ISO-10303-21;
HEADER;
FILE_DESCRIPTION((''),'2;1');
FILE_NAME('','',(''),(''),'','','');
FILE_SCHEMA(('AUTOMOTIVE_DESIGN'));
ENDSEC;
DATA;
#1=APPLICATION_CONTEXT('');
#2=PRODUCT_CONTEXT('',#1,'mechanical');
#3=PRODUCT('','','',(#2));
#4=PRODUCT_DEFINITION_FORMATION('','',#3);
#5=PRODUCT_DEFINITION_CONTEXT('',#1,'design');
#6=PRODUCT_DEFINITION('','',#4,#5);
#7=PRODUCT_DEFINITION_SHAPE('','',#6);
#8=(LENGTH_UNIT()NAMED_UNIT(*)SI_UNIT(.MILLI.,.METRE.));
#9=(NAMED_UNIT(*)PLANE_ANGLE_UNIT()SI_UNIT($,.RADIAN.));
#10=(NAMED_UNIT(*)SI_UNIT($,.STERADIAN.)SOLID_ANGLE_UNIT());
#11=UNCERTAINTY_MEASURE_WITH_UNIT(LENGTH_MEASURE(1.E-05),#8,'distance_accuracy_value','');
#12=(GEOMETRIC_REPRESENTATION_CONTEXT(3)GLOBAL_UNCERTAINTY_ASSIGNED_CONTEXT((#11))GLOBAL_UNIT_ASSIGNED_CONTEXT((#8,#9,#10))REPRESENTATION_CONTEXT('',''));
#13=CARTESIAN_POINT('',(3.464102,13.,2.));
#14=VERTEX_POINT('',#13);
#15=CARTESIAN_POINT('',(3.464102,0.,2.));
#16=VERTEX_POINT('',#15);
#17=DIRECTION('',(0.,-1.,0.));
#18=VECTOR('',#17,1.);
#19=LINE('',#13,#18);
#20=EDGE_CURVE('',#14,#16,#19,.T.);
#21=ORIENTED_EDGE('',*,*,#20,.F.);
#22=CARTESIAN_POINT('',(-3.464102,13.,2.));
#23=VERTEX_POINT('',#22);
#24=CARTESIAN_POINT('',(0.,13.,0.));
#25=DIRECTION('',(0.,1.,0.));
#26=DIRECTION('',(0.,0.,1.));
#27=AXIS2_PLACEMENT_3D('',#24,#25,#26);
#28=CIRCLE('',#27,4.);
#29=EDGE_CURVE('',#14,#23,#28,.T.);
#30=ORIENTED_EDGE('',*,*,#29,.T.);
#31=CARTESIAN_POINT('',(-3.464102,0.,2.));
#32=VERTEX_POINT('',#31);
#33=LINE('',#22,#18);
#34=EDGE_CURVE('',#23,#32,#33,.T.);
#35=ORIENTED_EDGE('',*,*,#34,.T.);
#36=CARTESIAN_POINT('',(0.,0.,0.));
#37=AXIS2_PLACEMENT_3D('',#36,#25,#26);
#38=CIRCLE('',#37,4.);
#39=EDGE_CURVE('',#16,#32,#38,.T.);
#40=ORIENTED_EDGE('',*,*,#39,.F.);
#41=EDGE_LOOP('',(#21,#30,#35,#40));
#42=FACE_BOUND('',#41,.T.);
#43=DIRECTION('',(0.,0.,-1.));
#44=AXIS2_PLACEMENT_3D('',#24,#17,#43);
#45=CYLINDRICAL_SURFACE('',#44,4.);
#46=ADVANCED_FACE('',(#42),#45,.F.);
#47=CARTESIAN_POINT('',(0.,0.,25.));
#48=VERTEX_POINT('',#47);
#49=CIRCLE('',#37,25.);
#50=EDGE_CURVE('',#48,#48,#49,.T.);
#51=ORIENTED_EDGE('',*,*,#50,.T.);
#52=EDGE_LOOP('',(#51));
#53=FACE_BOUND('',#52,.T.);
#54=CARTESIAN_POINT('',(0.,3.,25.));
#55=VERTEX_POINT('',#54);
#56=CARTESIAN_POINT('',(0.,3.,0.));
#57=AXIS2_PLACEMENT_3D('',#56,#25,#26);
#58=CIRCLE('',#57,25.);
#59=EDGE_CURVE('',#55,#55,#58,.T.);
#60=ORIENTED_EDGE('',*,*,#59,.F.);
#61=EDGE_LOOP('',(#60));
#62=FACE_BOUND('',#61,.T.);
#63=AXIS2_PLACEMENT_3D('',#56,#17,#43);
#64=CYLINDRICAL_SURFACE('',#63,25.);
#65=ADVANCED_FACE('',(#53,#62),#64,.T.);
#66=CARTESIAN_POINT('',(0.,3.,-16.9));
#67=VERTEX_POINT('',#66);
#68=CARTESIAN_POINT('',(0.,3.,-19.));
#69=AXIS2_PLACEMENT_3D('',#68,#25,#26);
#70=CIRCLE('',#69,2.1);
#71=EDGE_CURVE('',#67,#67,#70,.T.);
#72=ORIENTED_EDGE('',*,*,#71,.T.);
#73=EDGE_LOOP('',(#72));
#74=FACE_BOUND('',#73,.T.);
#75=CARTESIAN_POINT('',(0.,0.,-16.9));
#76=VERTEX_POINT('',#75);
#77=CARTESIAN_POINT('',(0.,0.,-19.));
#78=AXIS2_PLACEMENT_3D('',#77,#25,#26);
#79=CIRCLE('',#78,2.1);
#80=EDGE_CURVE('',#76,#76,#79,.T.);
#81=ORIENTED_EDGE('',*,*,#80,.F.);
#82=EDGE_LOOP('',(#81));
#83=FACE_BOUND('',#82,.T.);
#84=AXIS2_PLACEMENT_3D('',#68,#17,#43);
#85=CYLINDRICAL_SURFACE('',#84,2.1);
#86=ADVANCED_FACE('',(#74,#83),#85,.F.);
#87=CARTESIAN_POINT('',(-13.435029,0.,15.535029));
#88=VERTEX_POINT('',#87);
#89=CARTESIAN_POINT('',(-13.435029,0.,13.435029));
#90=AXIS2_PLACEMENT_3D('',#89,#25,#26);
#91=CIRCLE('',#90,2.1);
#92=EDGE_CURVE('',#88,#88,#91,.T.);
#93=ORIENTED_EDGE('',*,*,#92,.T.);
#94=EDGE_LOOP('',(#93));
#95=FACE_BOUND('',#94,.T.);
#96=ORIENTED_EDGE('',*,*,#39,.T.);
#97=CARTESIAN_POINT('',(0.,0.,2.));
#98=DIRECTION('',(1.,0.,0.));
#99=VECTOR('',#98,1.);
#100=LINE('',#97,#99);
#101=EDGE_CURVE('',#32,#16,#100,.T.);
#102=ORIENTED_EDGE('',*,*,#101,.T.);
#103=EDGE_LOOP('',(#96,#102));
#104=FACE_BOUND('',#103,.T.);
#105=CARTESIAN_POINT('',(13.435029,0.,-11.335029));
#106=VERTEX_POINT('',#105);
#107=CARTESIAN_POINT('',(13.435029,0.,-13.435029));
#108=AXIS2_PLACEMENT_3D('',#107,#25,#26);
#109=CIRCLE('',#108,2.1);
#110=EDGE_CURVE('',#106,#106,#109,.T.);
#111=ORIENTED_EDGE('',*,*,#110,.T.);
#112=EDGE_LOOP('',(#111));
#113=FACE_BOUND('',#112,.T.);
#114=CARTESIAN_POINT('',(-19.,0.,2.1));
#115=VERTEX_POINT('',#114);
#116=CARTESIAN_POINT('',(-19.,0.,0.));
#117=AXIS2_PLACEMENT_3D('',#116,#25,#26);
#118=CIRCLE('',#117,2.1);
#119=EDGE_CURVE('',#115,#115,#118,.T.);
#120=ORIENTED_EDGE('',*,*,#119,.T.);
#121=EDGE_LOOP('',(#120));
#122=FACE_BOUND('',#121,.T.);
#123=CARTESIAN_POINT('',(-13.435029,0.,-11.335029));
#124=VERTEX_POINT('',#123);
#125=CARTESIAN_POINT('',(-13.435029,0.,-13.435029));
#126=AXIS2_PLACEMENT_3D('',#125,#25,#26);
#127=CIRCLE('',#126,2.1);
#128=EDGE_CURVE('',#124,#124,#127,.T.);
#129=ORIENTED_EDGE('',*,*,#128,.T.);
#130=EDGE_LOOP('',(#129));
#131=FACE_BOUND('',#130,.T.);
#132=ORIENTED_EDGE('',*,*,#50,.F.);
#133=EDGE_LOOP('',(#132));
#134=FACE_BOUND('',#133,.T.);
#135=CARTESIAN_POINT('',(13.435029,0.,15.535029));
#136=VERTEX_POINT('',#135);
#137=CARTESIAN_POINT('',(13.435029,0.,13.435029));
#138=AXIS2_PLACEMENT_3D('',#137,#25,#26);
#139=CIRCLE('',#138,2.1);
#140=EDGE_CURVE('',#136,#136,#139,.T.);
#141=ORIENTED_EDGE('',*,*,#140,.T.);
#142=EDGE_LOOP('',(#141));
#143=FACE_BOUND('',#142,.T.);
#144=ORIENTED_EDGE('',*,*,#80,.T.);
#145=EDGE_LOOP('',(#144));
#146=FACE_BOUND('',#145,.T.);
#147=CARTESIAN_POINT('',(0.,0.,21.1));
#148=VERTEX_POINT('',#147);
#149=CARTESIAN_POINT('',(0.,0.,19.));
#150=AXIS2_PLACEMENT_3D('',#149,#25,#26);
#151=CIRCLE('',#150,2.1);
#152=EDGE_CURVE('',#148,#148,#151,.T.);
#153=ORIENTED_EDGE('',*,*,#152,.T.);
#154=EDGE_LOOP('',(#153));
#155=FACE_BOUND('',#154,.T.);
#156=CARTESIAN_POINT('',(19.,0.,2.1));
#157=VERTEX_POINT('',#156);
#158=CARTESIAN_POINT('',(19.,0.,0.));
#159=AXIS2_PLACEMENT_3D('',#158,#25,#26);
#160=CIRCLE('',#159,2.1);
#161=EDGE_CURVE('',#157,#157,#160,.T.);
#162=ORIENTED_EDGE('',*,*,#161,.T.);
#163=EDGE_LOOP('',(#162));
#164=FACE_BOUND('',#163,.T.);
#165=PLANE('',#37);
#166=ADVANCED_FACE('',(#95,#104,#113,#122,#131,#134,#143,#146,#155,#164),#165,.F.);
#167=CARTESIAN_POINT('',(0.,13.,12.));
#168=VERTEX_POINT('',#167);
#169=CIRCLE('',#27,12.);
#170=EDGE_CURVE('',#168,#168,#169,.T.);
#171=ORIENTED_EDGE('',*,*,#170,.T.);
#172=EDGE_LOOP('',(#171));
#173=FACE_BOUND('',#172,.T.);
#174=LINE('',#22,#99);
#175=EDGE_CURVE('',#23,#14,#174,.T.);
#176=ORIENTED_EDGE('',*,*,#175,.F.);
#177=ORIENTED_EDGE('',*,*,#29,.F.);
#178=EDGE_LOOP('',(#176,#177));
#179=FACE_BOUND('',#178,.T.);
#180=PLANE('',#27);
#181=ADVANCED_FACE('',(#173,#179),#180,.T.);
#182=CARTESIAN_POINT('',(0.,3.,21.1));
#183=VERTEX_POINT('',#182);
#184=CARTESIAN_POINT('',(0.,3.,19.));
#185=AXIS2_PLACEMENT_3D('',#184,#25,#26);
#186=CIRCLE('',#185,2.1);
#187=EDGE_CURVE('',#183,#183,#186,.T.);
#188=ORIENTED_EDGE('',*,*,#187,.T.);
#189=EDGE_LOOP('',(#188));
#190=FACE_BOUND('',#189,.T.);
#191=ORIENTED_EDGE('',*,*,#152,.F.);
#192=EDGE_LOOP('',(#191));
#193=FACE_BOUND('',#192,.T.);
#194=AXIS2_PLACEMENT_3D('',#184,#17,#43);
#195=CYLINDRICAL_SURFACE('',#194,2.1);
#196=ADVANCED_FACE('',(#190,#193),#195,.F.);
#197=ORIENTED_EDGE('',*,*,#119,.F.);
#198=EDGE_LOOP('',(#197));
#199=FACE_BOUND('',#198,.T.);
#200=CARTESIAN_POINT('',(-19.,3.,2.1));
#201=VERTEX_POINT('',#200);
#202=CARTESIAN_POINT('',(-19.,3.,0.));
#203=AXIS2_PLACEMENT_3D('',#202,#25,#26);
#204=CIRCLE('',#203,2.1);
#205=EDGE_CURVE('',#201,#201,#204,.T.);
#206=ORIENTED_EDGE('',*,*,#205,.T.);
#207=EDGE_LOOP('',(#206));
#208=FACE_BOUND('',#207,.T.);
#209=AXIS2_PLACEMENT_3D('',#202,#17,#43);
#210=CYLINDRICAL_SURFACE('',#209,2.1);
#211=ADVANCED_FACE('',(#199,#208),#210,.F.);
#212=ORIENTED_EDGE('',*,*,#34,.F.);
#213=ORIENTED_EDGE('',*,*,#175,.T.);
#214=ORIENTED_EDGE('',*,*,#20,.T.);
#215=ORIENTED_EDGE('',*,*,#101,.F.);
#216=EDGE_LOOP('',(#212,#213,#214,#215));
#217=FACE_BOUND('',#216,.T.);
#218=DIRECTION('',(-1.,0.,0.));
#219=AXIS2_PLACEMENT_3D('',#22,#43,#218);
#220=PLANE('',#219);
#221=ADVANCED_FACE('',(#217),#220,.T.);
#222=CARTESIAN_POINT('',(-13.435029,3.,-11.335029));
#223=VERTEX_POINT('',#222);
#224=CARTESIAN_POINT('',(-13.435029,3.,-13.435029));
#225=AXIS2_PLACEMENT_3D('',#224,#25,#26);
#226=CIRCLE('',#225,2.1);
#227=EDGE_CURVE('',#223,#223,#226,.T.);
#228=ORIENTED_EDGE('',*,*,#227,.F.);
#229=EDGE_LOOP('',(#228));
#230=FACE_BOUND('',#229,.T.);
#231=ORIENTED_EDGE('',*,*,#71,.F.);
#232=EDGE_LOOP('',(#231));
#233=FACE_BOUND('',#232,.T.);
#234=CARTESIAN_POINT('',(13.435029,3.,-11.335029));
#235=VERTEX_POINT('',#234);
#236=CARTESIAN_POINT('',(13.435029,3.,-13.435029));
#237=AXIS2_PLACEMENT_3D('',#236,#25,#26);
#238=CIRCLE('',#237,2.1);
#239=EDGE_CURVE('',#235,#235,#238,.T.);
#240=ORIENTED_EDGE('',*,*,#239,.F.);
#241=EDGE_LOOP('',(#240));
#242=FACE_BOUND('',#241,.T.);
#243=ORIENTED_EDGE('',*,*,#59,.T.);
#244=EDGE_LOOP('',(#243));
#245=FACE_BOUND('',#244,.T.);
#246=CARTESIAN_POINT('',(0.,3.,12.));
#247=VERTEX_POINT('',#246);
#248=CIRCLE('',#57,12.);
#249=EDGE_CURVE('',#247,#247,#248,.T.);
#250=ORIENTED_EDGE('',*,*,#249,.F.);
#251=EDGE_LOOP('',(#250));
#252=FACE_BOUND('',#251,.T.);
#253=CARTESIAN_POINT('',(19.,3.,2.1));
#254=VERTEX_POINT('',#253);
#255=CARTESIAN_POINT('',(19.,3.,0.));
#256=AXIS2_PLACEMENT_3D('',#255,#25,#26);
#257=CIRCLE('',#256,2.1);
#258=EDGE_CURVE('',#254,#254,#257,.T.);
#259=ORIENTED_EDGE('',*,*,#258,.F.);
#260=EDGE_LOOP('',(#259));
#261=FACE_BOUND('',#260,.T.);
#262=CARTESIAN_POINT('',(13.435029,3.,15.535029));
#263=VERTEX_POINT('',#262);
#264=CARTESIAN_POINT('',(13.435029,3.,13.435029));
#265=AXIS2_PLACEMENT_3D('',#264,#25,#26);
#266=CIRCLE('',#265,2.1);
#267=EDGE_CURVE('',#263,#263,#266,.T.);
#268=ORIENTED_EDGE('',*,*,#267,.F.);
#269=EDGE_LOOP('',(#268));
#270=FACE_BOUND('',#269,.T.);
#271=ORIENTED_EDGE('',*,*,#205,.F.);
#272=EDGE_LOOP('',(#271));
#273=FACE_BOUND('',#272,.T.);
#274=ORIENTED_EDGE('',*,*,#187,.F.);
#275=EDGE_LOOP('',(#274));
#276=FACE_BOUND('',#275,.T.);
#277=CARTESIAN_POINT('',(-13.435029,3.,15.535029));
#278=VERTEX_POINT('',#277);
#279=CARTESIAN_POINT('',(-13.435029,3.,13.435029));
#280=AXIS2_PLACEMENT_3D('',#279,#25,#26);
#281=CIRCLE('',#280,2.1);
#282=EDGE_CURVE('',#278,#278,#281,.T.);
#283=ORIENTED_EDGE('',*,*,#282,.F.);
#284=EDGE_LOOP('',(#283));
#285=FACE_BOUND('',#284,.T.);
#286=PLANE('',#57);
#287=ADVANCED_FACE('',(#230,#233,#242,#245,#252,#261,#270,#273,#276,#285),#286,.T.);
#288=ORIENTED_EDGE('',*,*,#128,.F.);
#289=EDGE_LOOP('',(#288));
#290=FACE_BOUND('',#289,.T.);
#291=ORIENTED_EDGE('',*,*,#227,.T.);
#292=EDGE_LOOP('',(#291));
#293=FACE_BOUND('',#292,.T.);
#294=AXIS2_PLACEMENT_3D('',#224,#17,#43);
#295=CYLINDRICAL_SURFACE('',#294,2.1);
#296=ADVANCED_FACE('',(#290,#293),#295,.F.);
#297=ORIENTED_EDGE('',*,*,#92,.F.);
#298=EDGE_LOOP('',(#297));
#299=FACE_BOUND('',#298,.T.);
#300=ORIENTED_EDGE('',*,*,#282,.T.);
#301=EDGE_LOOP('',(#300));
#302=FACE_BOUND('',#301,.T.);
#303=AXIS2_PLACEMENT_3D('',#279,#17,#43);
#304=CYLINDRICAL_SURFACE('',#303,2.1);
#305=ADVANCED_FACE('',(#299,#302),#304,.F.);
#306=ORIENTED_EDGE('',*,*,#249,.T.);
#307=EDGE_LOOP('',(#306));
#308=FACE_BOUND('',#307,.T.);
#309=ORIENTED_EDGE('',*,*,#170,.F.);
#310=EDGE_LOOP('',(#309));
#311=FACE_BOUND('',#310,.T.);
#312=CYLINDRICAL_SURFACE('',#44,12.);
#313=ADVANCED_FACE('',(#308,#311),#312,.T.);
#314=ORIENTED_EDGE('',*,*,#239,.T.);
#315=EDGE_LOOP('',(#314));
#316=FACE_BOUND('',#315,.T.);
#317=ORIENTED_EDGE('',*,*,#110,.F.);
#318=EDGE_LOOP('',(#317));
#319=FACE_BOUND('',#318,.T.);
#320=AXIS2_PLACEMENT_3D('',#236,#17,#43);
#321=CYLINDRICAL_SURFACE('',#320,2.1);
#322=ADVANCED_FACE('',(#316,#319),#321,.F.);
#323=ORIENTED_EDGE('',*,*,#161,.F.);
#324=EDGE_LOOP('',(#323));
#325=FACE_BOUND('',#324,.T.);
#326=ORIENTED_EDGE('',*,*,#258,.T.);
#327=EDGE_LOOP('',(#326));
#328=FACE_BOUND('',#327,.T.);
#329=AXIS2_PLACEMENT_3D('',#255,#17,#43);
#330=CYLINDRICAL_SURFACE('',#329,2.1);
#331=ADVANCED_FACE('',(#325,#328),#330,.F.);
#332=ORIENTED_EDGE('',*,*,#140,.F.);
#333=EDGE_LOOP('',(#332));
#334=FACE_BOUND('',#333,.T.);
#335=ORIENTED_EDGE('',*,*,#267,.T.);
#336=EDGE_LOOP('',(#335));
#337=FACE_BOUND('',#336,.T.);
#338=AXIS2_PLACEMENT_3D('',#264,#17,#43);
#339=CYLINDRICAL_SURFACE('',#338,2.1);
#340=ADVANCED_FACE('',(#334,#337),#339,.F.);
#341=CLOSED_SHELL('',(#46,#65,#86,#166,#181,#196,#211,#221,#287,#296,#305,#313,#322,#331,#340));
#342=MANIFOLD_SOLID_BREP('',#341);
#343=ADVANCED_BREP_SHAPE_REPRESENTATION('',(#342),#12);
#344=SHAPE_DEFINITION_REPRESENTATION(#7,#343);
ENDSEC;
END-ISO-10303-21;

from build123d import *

# Parameters (mm, degrees)
SKETCH_1_R          = 25
SKETCH_1_R_2        = 2.1
EXTRUDE_1_DEPTH     = 3
SKETCH_2_R          = 12
EXTRUDE_2_DEPTH     = 10
CUT_EXTRUDE_START   = -20
CUT_EXTRUDE_1_DEPTH = 20


with BuildPart() as part:
    # 草图1 → 凸台-拉伸1 (new body)
    with BuildSketch(Plane(origin=(0, 0, 0), x_dir=(1, 0, 0), z_dir=(0, 1, 0))):
        with Locations(Location((0, 0, 0), (0, 0, 270))):
            Circle(SKETCH_1_R)
        with Locations(Location((0, 19, 0), (0, 0, 270))):
            Circle(SKETCH_1_R_2, mode=Mode.SUBTRACT)
        with Locations(Location((13.435028843, 13.435028843, 0), (0, 0, 270))):
            Circle(SKETCH_1_R_2, mode=Mode.SUBTRACT)
        with Locations(Location((19, 0, 0), (0, 0, 270))):
            Circle(SKETCH_1_R_2, mode=Mode.SUBTRACT)
        with Locations(Location((13.435028843, -13.435028843, 0), (0, 0, 270))):
            Circle(SKETCH_1_R_2, mode=Mode.SUBTRACT)
        with Locations(Location((0, -19, 0), (0, 0, 270))):
            Circle(SKETCH_1_R_2, mode=Mode.SUBTRACT)
        with Locations(Location((-13.435028843, -13.435028843, 0), (0, 0, 270))):
            Circle(SKETCH_1_R_2, mode=Mode.SUBTRACT)
        with Locations(Location((-19, 0, 0), (0, 0, 270))):
            Circle(SKETCH_1_R_2, mode=Mode.SUBTRACT)
        with Locations(Location((-13.435028843, 13.435028843, 0), (0, 0, 270))):
            Circle(SKETCH_1_R_2, mode=Mode.SUBTRACT)
    extrude(amount=EXTRUDE_1_DEPTH)

    # 草图2 → 凸台-拉伸2 (add)
    with BuildSketch(Plane(origin=(0, 3, 0), x_dir=(1, 0, 0), z_dir=(0, 1, 0))):
        with Locations(Location((0, 0, 0), (0, 0, 270))):
            Circle(SKETCH_2_R)
        with BuildLine():
            Line((-3.464101615, -2), (3.464101615, -2))
            ThreePointArc((3.464101615, -2), (0, 4), (-3.464101615, -2))
        make_face(mode=Mode.SUBTRACT)
    extrude(amount=EXTRUDE_2_DEPTH)

    # 草图3 → 切除-拉伸1 (cut)
    with BuildSketch(Plane(origin=(0, 13, 0), x_dir=(1, 0, 0), z_dir=(0, 1, 0)).offset(CUT_EXTRUDE_START)):
        with BuildLine():
            Line((-3.464101615, -2), (3.464101615, -2))
            ThreePointArc((3.464101615, -2), (0, 4), (-3.464101615, -2))
        make_face()
    extrude(amount=CUT_EXTRUDE_1_DEPTH, mode=Mode.SUBTRACT)


solid = part.part
